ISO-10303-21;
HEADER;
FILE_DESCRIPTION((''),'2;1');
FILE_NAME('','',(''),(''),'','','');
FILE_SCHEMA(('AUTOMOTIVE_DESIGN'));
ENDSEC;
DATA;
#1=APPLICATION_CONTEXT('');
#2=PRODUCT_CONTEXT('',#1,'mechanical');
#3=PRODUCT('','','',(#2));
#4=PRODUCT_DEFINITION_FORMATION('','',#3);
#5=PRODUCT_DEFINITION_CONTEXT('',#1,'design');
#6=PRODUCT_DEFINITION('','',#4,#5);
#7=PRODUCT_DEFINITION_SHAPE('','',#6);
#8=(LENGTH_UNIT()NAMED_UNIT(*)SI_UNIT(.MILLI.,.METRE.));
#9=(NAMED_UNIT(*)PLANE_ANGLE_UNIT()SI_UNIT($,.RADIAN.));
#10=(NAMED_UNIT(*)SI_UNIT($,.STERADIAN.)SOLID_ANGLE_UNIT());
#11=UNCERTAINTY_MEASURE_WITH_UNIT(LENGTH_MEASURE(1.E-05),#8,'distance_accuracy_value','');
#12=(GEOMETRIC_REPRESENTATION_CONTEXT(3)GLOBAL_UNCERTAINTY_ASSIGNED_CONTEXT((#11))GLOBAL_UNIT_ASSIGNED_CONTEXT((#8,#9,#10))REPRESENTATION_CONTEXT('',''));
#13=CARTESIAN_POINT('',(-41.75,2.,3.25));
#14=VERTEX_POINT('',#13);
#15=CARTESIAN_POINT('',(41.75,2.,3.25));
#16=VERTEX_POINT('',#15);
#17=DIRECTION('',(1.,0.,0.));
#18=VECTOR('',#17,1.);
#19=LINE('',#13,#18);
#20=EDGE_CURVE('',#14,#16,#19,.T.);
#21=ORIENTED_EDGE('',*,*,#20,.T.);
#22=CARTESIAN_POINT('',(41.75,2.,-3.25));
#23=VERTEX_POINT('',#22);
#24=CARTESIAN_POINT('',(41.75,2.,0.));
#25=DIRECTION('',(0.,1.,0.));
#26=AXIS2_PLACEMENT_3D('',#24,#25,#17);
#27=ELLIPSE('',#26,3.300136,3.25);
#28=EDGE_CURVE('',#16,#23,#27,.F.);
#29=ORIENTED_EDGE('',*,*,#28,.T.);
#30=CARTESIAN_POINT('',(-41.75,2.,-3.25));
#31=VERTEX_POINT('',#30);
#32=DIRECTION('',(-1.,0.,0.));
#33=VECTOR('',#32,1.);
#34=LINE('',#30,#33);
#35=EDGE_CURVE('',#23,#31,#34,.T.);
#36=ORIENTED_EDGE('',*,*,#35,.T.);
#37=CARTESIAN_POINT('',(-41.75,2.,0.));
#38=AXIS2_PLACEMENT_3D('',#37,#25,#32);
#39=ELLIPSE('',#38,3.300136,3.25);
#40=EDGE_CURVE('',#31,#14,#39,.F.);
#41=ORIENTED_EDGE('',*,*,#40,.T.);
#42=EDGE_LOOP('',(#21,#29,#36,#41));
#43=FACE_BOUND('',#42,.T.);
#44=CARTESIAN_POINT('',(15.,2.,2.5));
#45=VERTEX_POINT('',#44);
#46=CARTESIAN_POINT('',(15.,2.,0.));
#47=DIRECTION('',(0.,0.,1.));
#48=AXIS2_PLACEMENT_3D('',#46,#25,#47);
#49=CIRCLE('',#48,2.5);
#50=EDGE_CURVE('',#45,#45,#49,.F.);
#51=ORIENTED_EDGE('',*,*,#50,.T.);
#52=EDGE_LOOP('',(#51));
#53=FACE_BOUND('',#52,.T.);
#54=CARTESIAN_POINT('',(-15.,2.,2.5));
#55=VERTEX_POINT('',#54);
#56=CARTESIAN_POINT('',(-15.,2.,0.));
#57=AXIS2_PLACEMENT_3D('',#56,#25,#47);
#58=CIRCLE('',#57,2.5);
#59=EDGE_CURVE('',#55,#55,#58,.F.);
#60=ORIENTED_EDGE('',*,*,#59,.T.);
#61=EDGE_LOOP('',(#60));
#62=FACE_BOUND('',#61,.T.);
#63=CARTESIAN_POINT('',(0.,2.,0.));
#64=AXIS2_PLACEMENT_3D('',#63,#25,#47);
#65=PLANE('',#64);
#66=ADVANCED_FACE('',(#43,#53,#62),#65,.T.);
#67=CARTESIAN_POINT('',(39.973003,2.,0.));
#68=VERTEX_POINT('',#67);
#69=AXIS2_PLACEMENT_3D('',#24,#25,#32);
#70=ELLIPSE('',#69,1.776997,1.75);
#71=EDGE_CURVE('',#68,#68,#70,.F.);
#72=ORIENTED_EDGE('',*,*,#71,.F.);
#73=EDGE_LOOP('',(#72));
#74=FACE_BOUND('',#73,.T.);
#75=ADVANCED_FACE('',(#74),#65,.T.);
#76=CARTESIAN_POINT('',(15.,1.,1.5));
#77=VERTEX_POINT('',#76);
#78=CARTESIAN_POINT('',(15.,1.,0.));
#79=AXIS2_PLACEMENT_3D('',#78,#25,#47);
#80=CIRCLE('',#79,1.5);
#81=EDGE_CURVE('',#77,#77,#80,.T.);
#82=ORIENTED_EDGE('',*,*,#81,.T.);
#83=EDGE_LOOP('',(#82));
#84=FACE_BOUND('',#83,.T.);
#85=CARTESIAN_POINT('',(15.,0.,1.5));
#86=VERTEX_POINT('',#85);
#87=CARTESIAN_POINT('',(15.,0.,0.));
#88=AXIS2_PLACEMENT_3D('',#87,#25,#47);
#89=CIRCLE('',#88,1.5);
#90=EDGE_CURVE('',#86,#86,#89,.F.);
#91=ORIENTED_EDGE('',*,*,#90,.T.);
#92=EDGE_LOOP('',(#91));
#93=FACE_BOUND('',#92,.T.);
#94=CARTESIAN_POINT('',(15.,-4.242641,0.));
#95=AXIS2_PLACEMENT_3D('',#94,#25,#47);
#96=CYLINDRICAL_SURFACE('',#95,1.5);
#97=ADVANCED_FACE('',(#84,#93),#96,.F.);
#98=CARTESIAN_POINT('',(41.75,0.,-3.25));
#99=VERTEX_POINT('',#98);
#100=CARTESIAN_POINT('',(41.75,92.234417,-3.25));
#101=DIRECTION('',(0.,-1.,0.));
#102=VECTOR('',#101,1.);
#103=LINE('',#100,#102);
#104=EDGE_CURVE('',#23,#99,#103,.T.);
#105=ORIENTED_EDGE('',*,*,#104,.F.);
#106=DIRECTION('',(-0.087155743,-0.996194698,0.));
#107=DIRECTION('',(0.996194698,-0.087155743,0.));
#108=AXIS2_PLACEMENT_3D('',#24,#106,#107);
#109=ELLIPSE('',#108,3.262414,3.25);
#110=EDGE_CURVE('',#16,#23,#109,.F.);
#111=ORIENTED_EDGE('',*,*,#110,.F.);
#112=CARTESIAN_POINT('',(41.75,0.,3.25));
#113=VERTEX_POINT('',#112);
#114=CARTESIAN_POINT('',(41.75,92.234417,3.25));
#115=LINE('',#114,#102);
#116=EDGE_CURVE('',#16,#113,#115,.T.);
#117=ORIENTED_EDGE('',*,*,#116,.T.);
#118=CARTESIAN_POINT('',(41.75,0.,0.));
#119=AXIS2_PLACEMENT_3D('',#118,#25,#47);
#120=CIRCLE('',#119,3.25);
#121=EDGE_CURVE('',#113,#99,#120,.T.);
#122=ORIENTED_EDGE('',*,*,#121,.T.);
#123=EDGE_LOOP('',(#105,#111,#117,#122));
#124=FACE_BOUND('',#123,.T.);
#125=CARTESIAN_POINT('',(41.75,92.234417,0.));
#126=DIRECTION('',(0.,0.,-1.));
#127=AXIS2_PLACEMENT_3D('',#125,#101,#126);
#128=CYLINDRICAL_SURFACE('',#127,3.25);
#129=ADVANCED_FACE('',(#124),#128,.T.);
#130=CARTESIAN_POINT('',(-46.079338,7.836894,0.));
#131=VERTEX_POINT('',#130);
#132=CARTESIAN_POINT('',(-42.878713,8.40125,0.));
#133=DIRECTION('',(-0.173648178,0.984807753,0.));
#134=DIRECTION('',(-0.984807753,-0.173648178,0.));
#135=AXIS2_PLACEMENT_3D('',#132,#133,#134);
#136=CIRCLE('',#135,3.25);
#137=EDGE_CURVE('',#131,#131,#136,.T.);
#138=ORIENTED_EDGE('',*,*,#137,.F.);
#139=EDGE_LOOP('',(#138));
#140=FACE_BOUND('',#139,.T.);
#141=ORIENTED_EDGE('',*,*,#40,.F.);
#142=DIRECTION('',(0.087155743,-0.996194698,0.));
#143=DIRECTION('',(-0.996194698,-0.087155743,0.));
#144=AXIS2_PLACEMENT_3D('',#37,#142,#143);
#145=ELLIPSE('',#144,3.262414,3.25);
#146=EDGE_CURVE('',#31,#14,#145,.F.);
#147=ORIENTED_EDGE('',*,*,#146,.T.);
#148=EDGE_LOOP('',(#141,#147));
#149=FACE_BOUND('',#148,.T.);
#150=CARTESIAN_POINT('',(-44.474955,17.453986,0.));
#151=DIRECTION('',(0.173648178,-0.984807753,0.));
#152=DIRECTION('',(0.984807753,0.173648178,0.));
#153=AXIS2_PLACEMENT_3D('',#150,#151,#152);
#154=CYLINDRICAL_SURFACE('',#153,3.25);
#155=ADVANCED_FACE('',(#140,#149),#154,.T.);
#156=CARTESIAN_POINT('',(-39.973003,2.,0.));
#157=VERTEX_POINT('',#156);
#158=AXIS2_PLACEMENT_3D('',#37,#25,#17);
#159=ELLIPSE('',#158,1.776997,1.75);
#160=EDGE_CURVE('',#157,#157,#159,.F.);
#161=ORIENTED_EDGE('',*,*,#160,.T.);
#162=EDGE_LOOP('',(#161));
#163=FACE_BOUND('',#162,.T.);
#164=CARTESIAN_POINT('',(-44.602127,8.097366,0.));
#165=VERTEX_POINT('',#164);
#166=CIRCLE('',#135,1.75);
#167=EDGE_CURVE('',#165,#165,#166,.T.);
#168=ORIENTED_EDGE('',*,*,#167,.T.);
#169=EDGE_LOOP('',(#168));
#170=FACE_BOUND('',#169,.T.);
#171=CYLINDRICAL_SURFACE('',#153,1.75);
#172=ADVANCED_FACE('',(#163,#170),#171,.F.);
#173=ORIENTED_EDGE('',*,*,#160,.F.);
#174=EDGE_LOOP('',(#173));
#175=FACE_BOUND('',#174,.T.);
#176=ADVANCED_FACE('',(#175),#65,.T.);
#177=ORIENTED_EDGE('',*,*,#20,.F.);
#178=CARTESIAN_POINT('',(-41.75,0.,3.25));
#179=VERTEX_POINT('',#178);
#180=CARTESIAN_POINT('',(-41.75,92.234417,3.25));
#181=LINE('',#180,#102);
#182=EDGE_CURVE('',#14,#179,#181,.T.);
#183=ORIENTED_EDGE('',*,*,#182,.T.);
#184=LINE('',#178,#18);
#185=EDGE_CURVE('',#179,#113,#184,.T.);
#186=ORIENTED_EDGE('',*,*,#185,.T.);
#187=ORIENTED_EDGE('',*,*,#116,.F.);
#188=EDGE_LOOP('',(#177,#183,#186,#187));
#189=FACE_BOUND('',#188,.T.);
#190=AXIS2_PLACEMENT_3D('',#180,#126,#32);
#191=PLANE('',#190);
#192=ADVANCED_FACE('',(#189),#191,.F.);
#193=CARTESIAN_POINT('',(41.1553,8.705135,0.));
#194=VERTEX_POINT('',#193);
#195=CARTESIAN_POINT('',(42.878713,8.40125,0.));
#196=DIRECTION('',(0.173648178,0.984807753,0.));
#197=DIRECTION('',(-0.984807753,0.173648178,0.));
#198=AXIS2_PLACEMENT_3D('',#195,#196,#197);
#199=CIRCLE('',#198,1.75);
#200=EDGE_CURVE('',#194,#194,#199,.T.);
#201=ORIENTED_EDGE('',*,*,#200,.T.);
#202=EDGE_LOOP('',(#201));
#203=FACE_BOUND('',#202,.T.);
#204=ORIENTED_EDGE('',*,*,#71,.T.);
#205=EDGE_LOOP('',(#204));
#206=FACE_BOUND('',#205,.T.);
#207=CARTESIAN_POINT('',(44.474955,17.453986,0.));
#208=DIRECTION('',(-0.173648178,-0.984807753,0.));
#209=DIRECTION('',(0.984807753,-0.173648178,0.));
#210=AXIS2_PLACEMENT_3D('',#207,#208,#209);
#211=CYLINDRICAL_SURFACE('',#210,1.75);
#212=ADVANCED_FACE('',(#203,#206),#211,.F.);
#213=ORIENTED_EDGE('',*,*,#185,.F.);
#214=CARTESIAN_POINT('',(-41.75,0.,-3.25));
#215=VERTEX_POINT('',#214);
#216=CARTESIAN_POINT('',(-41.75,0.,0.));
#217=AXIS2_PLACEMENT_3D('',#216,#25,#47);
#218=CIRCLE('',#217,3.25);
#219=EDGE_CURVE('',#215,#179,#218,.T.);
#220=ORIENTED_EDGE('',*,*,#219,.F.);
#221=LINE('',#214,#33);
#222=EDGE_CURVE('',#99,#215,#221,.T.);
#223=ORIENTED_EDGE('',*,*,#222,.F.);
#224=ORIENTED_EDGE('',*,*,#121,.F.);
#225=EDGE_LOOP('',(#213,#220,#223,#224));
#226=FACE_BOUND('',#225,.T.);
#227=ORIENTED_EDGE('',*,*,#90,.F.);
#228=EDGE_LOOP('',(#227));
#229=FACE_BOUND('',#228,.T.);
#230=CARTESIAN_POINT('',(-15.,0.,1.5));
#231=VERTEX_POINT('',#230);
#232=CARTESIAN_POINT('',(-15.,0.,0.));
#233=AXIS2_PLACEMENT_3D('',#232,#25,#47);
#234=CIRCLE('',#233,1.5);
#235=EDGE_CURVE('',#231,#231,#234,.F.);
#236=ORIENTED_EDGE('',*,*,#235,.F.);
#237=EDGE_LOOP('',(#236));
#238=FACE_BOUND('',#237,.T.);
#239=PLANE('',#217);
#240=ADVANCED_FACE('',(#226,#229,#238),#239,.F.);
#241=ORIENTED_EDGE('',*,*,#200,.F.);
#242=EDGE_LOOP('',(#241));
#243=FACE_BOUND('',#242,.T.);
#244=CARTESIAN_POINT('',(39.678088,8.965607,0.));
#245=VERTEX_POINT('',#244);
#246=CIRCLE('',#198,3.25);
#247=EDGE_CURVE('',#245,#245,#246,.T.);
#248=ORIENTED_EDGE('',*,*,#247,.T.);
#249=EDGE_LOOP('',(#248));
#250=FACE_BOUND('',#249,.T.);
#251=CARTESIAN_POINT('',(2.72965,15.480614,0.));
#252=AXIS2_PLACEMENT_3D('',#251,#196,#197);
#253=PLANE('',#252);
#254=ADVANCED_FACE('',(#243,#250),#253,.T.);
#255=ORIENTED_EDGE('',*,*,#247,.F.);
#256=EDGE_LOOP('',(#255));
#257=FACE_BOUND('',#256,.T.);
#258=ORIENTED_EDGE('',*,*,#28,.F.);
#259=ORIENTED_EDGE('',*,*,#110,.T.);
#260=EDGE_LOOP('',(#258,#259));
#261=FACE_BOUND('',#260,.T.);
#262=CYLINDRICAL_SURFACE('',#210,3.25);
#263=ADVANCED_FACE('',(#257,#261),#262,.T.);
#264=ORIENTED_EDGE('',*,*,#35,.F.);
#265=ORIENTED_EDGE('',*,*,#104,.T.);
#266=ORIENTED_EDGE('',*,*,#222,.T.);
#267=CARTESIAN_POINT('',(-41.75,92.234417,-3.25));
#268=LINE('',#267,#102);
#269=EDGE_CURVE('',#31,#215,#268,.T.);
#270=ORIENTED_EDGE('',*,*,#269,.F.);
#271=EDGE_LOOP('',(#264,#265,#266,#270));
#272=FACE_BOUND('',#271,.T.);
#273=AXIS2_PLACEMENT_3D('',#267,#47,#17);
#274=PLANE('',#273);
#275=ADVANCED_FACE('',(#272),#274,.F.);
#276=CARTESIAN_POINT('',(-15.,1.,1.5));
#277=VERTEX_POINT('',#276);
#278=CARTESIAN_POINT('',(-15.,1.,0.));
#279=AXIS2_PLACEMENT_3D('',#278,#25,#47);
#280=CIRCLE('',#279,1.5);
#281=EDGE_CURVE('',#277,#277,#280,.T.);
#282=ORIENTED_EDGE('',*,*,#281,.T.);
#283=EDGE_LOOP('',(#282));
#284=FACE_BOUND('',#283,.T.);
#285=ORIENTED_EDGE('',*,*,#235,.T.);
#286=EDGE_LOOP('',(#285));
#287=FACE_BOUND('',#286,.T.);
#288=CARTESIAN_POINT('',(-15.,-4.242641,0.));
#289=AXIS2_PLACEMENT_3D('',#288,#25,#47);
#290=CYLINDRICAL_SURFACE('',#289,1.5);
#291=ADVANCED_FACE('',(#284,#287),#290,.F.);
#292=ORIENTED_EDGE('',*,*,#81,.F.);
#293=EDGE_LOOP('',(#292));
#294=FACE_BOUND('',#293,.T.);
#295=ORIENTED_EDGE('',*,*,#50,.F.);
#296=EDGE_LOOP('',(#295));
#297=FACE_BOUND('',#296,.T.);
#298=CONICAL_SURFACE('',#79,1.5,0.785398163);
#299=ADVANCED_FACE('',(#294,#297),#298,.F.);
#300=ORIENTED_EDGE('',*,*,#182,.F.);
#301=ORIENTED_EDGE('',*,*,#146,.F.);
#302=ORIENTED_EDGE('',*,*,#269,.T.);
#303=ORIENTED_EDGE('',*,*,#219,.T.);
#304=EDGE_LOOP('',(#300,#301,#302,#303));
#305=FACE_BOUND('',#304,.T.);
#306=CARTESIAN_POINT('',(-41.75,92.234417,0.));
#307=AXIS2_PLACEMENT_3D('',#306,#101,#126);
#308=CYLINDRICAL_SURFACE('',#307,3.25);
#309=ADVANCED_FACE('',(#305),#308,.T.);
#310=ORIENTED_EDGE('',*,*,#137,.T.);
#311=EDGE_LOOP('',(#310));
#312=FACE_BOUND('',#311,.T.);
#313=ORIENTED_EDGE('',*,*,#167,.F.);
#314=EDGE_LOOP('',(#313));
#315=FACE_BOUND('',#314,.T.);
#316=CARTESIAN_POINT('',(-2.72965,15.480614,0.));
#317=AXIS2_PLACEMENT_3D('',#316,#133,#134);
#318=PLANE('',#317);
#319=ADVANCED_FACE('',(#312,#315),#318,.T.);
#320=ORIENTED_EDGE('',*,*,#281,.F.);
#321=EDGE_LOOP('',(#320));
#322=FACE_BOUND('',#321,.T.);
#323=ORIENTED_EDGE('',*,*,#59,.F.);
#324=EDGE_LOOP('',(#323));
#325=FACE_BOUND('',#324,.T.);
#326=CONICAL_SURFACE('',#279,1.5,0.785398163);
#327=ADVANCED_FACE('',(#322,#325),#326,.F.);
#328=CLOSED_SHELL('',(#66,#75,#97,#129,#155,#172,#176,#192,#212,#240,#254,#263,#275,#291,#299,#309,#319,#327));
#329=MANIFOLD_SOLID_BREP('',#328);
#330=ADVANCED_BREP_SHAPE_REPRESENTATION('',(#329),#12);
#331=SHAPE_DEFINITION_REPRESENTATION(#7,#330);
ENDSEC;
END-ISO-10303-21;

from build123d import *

# Parameters (mm, degrees)
BOSS_EXTRUDE1_DEPTH = 2
BOSS_EXTRUDE2_START = -0.573063
SKETCH2_R           = 3.25
SKETCH2_R_2         = 1.75
BOSS_EXTRUDE2_DEPTH = 7.073063
BOSS_EXTRUDE3_START = -0.573063
SKETCH3_R           = 3.25
SKETCH3_R_2         = 1.75
BOSS_EXTRUDE3_DEPTH = 7.073063
SKETCH4_R           = 1.5
CUT_EXTRUDE1_DEPTH  = 2
CHAMFER1_SIZE       = 1


with BuildPart() as part:
    # Sketch1 → Boss-Extrude1 (new body)
    with BuildSketch(Plane(origin=(0, 0, 0), x_dir=(1, 0, 0), z_dir=(0, 1, 0))):
        with BuildLine():
            Line((-41.75, 3.25), (41.75, 3.25))
            ThreePointArc((41.75, 3.25), (45, 0), (41.75, -3.25))
            Line((41.75, -3.25), (-41.75, -3.25))
            ThreePointArc((-41.75, -3.25), (-45, 0), (-41.75, 3.25))
        make_face()
    extrude(amount=BOSS_EXTRUDE1_DEPTH)

    # Sketch2 → Boss-Extrude2 (add)
    with BuildSketch(Plane(origin=(-1.600936684, 9.079363113, 0), x_dir=(0, 0, -1), z_dir=(-0.17364817766693072, 0.984807753012208, 0)).offset(BOSS_EXTRUDE2_START)):
        with Locations(Location((0, 40.768427333, 0), (0, 0, 180))):
            Circle(SKETCH2_R)
        with Locations(Location((0, 40.768427333, 0), (0, 0, 270))):
            Circle(SKETCH2_R_2, mode=Mode.SUBTRACT)
    extrude(amount=BOSS_EXTRUDE2_DEPTH)

    # Sketch3 → Boss-Extrude3 (add)
    with BuildSketch(Plane(origin=(1.600936684, 9.079363113, 0), x_dir=(0, 0, -1), z_dir=(0.17364817766693072, 0.984807753012208, 0)).offset(BOSS_EXTRUDE3_START)):
        with Locations((0, -40.768427333)):
            Circle(SKETCH3_R)
        with Locations(Location((0, -40.768427333, 0), (0, 0, 90))):
            Circle(SKETCH3_R_2, mode=Mode.SUBTRACT)
    extrude(amount=BOSS_EXTRUDE3_DEPTH)

    # Sketch4 → Cut-Extrude1 (cut)
    with BuildSketch(Plane(origin=(0, 2, 0), x_dir=(1, 0, 0), z_dir=(0, 1, 0))):
        with Locations(Location((-15, 0, 0), (0, 0, 270))):
            Circle(SKETCH4_R)
        with Locations(Location((15, 0, 0), (0, 0, 270))):
            Circle(SKETCH4_R)
    extrude(amount=-CUT_EXTRUDE1_DEPTH, mode=Mode.SUBTRACT)

    # Chamfer1
    chamfer1_edges = [part.edges().sort_by_distance(p)[0] for p in [
        (-15, 2, -1.5),
        (15, 2, -1.5),
    ]]
    chamfer(chamfer1_edges, length=CHAMFER1_SIZE)


solid = part.part
